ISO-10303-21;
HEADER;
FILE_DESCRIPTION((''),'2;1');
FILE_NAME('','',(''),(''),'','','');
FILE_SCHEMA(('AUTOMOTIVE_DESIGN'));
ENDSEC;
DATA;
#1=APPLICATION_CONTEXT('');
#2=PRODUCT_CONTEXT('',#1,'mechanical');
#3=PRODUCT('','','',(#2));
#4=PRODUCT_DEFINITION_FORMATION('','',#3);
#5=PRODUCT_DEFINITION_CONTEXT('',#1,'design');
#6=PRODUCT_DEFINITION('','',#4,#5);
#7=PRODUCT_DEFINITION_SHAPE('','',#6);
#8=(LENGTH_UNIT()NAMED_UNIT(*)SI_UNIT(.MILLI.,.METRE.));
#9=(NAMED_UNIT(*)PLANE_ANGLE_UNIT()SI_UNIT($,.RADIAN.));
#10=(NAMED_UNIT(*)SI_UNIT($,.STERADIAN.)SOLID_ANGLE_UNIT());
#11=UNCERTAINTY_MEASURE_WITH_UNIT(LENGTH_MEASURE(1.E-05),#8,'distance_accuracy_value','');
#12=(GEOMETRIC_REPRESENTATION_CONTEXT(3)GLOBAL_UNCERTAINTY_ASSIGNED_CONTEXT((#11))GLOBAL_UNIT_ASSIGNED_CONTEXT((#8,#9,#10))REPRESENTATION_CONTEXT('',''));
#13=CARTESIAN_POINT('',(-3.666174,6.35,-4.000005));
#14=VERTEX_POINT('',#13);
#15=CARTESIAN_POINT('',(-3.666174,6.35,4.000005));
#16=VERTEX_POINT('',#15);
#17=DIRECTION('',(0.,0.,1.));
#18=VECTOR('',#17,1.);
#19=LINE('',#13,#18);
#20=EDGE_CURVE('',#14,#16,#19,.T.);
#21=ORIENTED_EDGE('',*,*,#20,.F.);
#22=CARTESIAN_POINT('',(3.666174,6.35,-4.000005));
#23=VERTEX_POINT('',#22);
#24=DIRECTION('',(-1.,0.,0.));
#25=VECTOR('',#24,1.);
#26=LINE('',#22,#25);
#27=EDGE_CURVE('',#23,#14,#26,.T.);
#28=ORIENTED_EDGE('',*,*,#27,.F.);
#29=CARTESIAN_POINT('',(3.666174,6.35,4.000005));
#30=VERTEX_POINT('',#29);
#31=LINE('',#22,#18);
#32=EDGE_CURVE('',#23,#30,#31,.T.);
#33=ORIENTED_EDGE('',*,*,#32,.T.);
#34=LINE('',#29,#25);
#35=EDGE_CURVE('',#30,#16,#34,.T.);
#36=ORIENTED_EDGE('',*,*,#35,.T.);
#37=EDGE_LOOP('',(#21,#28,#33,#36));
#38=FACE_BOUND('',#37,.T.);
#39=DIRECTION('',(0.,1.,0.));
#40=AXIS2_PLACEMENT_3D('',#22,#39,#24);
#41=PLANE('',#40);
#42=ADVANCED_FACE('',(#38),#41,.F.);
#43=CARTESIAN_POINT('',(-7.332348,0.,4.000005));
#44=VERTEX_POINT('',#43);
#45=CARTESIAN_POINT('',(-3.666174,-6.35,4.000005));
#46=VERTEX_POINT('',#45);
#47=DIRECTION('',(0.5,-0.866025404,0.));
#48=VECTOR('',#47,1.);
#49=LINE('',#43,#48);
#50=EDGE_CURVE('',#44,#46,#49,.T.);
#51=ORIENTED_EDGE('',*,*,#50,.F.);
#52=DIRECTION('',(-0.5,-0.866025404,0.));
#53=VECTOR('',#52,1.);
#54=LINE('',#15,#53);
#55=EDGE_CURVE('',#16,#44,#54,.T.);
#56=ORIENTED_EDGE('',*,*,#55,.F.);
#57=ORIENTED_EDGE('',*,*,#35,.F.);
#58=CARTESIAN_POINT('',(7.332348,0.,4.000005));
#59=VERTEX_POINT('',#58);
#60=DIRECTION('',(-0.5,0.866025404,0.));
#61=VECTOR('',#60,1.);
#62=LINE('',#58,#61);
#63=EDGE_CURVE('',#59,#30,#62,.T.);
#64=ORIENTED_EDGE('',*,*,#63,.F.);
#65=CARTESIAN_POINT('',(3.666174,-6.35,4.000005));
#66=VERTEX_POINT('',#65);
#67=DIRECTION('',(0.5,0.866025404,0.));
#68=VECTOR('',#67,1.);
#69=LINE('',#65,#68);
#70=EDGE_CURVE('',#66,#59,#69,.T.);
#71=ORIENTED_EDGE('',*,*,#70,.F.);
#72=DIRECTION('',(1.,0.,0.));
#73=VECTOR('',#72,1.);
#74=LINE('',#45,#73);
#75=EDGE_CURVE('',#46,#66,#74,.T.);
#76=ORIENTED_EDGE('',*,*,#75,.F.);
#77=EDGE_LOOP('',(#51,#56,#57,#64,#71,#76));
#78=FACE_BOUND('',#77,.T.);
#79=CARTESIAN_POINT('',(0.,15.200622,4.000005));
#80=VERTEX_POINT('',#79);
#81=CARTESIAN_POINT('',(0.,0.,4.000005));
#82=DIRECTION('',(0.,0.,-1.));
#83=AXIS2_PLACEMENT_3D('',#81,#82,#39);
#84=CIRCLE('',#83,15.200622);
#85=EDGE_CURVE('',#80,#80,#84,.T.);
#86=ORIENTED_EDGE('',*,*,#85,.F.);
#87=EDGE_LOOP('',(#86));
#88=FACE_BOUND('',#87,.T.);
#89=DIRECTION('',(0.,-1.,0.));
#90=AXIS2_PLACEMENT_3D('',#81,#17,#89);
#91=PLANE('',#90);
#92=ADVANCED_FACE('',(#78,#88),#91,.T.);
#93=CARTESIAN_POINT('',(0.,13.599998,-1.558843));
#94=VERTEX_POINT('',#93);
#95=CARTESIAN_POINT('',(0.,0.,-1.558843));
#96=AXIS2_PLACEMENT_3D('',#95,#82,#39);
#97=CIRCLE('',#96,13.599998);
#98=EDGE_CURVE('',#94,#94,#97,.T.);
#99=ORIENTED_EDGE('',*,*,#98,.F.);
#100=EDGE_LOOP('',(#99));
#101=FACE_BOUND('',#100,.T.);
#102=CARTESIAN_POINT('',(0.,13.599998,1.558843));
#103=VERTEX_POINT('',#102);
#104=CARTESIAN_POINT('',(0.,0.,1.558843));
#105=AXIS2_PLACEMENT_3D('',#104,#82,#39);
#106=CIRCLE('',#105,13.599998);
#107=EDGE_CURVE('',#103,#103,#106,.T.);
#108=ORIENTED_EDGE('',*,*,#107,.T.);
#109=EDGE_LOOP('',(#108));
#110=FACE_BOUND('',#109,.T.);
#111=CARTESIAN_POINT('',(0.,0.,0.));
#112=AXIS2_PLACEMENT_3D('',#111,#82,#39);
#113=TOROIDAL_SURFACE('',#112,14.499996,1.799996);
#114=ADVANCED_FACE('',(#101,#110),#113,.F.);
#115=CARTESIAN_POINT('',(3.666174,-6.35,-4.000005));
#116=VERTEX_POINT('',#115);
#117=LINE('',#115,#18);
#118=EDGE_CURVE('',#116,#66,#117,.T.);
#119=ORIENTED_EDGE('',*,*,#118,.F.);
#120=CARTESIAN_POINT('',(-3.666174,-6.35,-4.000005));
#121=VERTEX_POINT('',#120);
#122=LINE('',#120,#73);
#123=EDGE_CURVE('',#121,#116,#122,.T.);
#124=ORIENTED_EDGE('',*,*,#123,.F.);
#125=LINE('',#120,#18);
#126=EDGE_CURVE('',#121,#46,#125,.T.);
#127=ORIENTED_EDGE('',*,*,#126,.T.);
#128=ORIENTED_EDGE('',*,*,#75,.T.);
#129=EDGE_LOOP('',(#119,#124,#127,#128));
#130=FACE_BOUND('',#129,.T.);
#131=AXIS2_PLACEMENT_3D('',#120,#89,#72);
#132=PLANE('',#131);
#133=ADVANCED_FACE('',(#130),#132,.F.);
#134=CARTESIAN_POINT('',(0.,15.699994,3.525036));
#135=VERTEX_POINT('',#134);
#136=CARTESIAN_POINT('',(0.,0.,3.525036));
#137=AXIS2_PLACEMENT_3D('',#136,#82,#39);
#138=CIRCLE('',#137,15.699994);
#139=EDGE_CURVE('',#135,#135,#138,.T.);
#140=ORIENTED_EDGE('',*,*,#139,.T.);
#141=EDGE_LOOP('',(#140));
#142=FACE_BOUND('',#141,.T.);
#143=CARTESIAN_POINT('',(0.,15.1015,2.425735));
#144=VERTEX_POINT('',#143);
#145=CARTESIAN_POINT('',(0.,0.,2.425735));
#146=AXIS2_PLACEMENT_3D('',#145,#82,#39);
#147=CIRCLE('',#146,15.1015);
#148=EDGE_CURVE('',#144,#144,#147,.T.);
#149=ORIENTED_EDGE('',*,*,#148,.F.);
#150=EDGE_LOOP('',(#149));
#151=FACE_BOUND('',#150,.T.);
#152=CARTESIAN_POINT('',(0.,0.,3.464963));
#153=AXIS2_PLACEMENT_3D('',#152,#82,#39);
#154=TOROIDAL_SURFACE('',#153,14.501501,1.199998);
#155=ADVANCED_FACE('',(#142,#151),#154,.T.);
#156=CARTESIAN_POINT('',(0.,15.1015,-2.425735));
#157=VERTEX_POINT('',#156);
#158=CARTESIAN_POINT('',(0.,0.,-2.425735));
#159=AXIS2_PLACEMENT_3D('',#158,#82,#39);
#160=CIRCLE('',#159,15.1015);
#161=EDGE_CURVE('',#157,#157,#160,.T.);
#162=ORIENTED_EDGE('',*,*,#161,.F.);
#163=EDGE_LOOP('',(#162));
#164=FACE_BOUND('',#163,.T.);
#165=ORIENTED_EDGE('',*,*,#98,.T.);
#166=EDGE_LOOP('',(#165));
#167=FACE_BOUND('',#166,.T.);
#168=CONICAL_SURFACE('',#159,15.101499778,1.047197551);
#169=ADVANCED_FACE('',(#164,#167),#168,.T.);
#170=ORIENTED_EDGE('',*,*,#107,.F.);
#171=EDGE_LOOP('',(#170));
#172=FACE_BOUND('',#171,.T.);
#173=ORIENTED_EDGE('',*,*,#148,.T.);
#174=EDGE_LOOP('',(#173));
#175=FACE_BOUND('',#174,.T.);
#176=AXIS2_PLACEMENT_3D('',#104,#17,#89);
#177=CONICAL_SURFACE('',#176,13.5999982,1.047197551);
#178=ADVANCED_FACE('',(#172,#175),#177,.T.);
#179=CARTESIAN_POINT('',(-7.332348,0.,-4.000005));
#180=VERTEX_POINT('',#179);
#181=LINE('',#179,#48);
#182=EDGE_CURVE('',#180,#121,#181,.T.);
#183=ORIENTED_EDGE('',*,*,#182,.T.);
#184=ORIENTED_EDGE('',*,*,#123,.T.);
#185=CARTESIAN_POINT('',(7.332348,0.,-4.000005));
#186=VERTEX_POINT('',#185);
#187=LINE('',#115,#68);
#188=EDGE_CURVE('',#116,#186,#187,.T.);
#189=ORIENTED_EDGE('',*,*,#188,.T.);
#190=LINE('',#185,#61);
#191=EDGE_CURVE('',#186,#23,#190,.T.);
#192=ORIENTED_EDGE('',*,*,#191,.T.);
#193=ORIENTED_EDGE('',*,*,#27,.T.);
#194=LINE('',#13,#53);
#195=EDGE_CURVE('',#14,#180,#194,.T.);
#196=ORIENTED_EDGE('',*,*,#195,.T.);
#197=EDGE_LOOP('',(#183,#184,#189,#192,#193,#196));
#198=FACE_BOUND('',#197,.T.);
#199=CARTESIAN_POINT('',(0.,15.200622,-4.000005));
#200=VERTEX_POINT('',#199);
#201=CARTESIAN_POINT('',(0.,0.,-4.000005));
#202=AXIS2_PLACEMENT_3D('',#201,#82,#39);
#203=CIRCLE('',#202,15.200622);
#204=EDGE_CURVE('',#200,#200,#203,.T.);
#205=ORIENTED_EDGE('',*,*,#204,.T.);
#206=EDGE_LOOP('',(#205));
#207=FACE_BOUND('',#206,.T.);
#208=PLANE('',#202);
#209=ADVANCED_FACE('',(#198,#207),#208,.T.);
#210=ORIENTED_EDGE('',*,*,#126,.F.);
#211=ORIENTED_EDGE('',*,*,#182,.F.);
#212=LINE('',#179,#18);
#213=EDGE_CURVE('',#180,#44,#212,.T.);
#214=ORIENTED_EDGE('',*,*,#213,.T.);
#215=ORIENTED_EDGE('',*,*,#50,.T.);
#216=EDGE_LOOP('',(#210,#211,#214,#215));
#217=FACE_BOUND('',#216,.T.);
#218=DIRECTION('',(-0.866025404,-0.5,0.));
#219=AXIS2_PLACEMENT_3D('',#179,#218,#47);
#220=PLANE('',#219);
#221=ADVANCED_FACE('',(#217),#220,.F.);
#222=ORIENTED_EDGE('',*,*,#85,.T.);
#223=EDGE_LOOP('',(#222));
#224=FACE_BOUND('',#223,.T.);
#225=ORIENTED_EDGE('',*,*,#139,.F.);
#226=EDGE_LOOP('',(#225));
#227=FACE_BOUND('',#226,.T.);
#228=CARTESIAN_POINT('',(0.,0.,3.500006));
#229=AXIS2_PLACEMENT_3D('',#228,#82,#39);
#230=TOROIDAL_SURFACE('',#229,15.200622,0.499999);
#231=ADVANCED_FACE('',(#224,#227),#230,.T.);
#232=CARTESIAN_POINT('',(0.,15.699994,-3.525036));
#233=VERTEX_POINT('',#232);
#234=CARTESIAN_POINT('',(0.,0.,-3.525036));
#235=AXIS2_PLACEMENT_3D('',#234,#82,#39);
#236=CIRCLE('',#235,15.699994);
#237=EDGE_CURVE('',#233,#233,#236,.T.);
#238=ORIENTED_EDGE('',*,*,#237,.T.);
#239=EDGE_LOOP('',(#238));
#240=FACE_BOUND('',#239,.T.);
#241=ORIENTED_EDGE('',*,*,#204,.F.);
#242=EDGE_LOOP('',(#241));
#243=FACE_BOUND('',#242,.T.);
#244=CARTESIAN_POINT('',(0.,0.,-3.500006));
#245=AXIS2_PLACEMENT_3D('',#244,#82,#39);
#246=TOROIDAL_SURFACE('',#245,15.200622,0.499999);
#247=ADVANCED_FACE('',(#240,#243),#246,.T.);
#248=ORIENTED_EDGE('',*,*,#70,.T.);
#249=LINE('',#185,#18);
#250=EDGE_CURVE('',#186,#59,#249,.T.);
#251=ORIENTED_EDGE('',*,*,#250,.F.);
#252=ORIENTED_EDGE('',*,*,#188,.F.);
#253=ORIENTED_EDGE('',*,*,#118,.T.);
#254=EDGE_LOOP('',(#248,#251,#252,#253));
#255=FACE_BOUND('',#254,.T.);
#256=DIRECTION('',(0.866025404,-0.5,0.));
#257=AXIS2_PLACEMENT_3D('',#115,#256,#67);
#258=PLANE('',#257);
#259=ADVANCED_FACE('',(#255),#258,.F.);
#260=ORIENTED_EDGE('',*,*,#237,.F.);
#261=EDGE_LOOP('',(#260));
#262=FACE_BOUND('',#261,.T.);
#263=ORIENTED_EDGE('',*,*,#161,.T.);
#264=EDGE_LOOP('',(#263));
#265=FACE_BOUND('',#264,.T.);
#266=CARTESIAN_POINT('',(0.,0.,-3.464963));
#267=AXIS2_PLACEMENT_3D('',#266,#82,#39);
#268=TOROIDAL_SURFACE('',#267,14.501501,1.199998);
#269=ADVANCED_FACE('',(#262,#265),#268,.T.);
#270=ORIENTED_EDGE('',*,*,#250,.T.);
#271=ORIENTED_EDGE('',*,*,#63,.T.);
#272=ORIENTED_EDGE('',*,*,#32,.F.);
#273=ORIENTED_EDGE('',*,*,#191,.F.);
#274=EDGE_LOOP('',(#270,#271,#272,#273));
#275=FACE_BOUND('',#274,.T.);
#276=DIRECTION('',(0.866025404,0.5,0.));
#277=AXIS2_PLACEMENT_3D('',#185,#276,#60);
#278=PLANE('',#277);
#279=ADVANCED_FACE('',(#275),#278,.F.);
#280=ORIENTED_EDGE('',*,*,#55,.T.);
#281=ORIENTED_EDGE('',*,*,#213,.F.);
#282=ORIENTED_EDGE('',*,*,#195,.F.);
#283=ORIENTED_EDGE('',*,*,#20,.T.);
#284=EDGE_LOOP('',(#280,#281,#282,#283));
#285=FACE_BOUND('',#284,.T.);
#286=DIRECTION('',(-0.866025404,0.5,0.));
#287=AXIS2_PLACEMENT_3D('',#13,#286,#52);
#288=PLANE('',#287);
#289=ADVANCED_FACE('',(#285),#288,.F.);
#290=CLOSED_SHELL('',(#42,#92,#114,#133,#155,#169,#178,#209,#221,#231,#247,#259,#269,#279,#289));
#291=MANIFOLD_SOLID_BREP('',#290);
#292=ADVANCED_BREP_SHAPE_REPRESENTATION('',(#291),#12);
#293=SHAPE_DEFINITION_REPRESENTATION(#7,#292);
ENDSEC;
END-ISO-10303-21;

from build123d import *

# Parameters (mm, degrees)
CUT_EXTRUDE2_DEPTH = 9.0000094


with BuildPart() as part:
    # Sketch1 → Revolve1 (revolve)
    with BuildSketch(Plane(origin=(0, 0, 0), x_dir=(0, 0, -1), z_dir=(1, 0, 0))):
        with BuildLine():
            Line((4.0000047, 0), (-4.0000047, 0))
            Line((-4.0000047, 0), (-4.0000047, 15.200621907))
            ThreePointArc((-4.0000047, 15.200621907), (-3.862299847, 15.545211447), (-3.525035946, 15.699994))
            ThreePointArc((-3.525035946, 15.699994), (-2.891173009, 15.55542644), (-2.425734949, 15.101499778))
            Line((-2.425734949, 15.101499778), (-1.558842609, 13.5999982))
            ThreePointArc((-1.558842609, 13.5999982), (0, 12.7), (1.558842609, 13.5999982))
            Line((1.558842609, 13.5999982), (2.425734949, 15.101499778))
            ThreePointArc((2.425734949, 15.101499778), (2.891173009, 15.55542644), (3.525035946, 15.699994))
            ThreePointArc((3.525035946, 15.699994), (3.862299847, 15.545211447), (4.0000047, 15.200621907))
            Line((4.0000047, 15.200621907), (4.0000047, 0))
        make_face()
    revolve(axis=Axis((0, 0, -4.0000047), (0, 0, 1)))

    # Sketch2 → Cut-Extrude2 (cut, through all)
    with BuildSketch(Plane.XY.offset(4.0000047)):
        Polygon((7.332348419, 0), (3.666174209, 6.35), (-3.666174209, 6.35), (-7.332348419, 0), (-3.666174209, -6.35), (3.666174209, -6.35), align=None)
    extrude(amount=-CUT_EXTRUDE2_DEPTH, mode=Mode.SUBTRACT)


solid = part.part
